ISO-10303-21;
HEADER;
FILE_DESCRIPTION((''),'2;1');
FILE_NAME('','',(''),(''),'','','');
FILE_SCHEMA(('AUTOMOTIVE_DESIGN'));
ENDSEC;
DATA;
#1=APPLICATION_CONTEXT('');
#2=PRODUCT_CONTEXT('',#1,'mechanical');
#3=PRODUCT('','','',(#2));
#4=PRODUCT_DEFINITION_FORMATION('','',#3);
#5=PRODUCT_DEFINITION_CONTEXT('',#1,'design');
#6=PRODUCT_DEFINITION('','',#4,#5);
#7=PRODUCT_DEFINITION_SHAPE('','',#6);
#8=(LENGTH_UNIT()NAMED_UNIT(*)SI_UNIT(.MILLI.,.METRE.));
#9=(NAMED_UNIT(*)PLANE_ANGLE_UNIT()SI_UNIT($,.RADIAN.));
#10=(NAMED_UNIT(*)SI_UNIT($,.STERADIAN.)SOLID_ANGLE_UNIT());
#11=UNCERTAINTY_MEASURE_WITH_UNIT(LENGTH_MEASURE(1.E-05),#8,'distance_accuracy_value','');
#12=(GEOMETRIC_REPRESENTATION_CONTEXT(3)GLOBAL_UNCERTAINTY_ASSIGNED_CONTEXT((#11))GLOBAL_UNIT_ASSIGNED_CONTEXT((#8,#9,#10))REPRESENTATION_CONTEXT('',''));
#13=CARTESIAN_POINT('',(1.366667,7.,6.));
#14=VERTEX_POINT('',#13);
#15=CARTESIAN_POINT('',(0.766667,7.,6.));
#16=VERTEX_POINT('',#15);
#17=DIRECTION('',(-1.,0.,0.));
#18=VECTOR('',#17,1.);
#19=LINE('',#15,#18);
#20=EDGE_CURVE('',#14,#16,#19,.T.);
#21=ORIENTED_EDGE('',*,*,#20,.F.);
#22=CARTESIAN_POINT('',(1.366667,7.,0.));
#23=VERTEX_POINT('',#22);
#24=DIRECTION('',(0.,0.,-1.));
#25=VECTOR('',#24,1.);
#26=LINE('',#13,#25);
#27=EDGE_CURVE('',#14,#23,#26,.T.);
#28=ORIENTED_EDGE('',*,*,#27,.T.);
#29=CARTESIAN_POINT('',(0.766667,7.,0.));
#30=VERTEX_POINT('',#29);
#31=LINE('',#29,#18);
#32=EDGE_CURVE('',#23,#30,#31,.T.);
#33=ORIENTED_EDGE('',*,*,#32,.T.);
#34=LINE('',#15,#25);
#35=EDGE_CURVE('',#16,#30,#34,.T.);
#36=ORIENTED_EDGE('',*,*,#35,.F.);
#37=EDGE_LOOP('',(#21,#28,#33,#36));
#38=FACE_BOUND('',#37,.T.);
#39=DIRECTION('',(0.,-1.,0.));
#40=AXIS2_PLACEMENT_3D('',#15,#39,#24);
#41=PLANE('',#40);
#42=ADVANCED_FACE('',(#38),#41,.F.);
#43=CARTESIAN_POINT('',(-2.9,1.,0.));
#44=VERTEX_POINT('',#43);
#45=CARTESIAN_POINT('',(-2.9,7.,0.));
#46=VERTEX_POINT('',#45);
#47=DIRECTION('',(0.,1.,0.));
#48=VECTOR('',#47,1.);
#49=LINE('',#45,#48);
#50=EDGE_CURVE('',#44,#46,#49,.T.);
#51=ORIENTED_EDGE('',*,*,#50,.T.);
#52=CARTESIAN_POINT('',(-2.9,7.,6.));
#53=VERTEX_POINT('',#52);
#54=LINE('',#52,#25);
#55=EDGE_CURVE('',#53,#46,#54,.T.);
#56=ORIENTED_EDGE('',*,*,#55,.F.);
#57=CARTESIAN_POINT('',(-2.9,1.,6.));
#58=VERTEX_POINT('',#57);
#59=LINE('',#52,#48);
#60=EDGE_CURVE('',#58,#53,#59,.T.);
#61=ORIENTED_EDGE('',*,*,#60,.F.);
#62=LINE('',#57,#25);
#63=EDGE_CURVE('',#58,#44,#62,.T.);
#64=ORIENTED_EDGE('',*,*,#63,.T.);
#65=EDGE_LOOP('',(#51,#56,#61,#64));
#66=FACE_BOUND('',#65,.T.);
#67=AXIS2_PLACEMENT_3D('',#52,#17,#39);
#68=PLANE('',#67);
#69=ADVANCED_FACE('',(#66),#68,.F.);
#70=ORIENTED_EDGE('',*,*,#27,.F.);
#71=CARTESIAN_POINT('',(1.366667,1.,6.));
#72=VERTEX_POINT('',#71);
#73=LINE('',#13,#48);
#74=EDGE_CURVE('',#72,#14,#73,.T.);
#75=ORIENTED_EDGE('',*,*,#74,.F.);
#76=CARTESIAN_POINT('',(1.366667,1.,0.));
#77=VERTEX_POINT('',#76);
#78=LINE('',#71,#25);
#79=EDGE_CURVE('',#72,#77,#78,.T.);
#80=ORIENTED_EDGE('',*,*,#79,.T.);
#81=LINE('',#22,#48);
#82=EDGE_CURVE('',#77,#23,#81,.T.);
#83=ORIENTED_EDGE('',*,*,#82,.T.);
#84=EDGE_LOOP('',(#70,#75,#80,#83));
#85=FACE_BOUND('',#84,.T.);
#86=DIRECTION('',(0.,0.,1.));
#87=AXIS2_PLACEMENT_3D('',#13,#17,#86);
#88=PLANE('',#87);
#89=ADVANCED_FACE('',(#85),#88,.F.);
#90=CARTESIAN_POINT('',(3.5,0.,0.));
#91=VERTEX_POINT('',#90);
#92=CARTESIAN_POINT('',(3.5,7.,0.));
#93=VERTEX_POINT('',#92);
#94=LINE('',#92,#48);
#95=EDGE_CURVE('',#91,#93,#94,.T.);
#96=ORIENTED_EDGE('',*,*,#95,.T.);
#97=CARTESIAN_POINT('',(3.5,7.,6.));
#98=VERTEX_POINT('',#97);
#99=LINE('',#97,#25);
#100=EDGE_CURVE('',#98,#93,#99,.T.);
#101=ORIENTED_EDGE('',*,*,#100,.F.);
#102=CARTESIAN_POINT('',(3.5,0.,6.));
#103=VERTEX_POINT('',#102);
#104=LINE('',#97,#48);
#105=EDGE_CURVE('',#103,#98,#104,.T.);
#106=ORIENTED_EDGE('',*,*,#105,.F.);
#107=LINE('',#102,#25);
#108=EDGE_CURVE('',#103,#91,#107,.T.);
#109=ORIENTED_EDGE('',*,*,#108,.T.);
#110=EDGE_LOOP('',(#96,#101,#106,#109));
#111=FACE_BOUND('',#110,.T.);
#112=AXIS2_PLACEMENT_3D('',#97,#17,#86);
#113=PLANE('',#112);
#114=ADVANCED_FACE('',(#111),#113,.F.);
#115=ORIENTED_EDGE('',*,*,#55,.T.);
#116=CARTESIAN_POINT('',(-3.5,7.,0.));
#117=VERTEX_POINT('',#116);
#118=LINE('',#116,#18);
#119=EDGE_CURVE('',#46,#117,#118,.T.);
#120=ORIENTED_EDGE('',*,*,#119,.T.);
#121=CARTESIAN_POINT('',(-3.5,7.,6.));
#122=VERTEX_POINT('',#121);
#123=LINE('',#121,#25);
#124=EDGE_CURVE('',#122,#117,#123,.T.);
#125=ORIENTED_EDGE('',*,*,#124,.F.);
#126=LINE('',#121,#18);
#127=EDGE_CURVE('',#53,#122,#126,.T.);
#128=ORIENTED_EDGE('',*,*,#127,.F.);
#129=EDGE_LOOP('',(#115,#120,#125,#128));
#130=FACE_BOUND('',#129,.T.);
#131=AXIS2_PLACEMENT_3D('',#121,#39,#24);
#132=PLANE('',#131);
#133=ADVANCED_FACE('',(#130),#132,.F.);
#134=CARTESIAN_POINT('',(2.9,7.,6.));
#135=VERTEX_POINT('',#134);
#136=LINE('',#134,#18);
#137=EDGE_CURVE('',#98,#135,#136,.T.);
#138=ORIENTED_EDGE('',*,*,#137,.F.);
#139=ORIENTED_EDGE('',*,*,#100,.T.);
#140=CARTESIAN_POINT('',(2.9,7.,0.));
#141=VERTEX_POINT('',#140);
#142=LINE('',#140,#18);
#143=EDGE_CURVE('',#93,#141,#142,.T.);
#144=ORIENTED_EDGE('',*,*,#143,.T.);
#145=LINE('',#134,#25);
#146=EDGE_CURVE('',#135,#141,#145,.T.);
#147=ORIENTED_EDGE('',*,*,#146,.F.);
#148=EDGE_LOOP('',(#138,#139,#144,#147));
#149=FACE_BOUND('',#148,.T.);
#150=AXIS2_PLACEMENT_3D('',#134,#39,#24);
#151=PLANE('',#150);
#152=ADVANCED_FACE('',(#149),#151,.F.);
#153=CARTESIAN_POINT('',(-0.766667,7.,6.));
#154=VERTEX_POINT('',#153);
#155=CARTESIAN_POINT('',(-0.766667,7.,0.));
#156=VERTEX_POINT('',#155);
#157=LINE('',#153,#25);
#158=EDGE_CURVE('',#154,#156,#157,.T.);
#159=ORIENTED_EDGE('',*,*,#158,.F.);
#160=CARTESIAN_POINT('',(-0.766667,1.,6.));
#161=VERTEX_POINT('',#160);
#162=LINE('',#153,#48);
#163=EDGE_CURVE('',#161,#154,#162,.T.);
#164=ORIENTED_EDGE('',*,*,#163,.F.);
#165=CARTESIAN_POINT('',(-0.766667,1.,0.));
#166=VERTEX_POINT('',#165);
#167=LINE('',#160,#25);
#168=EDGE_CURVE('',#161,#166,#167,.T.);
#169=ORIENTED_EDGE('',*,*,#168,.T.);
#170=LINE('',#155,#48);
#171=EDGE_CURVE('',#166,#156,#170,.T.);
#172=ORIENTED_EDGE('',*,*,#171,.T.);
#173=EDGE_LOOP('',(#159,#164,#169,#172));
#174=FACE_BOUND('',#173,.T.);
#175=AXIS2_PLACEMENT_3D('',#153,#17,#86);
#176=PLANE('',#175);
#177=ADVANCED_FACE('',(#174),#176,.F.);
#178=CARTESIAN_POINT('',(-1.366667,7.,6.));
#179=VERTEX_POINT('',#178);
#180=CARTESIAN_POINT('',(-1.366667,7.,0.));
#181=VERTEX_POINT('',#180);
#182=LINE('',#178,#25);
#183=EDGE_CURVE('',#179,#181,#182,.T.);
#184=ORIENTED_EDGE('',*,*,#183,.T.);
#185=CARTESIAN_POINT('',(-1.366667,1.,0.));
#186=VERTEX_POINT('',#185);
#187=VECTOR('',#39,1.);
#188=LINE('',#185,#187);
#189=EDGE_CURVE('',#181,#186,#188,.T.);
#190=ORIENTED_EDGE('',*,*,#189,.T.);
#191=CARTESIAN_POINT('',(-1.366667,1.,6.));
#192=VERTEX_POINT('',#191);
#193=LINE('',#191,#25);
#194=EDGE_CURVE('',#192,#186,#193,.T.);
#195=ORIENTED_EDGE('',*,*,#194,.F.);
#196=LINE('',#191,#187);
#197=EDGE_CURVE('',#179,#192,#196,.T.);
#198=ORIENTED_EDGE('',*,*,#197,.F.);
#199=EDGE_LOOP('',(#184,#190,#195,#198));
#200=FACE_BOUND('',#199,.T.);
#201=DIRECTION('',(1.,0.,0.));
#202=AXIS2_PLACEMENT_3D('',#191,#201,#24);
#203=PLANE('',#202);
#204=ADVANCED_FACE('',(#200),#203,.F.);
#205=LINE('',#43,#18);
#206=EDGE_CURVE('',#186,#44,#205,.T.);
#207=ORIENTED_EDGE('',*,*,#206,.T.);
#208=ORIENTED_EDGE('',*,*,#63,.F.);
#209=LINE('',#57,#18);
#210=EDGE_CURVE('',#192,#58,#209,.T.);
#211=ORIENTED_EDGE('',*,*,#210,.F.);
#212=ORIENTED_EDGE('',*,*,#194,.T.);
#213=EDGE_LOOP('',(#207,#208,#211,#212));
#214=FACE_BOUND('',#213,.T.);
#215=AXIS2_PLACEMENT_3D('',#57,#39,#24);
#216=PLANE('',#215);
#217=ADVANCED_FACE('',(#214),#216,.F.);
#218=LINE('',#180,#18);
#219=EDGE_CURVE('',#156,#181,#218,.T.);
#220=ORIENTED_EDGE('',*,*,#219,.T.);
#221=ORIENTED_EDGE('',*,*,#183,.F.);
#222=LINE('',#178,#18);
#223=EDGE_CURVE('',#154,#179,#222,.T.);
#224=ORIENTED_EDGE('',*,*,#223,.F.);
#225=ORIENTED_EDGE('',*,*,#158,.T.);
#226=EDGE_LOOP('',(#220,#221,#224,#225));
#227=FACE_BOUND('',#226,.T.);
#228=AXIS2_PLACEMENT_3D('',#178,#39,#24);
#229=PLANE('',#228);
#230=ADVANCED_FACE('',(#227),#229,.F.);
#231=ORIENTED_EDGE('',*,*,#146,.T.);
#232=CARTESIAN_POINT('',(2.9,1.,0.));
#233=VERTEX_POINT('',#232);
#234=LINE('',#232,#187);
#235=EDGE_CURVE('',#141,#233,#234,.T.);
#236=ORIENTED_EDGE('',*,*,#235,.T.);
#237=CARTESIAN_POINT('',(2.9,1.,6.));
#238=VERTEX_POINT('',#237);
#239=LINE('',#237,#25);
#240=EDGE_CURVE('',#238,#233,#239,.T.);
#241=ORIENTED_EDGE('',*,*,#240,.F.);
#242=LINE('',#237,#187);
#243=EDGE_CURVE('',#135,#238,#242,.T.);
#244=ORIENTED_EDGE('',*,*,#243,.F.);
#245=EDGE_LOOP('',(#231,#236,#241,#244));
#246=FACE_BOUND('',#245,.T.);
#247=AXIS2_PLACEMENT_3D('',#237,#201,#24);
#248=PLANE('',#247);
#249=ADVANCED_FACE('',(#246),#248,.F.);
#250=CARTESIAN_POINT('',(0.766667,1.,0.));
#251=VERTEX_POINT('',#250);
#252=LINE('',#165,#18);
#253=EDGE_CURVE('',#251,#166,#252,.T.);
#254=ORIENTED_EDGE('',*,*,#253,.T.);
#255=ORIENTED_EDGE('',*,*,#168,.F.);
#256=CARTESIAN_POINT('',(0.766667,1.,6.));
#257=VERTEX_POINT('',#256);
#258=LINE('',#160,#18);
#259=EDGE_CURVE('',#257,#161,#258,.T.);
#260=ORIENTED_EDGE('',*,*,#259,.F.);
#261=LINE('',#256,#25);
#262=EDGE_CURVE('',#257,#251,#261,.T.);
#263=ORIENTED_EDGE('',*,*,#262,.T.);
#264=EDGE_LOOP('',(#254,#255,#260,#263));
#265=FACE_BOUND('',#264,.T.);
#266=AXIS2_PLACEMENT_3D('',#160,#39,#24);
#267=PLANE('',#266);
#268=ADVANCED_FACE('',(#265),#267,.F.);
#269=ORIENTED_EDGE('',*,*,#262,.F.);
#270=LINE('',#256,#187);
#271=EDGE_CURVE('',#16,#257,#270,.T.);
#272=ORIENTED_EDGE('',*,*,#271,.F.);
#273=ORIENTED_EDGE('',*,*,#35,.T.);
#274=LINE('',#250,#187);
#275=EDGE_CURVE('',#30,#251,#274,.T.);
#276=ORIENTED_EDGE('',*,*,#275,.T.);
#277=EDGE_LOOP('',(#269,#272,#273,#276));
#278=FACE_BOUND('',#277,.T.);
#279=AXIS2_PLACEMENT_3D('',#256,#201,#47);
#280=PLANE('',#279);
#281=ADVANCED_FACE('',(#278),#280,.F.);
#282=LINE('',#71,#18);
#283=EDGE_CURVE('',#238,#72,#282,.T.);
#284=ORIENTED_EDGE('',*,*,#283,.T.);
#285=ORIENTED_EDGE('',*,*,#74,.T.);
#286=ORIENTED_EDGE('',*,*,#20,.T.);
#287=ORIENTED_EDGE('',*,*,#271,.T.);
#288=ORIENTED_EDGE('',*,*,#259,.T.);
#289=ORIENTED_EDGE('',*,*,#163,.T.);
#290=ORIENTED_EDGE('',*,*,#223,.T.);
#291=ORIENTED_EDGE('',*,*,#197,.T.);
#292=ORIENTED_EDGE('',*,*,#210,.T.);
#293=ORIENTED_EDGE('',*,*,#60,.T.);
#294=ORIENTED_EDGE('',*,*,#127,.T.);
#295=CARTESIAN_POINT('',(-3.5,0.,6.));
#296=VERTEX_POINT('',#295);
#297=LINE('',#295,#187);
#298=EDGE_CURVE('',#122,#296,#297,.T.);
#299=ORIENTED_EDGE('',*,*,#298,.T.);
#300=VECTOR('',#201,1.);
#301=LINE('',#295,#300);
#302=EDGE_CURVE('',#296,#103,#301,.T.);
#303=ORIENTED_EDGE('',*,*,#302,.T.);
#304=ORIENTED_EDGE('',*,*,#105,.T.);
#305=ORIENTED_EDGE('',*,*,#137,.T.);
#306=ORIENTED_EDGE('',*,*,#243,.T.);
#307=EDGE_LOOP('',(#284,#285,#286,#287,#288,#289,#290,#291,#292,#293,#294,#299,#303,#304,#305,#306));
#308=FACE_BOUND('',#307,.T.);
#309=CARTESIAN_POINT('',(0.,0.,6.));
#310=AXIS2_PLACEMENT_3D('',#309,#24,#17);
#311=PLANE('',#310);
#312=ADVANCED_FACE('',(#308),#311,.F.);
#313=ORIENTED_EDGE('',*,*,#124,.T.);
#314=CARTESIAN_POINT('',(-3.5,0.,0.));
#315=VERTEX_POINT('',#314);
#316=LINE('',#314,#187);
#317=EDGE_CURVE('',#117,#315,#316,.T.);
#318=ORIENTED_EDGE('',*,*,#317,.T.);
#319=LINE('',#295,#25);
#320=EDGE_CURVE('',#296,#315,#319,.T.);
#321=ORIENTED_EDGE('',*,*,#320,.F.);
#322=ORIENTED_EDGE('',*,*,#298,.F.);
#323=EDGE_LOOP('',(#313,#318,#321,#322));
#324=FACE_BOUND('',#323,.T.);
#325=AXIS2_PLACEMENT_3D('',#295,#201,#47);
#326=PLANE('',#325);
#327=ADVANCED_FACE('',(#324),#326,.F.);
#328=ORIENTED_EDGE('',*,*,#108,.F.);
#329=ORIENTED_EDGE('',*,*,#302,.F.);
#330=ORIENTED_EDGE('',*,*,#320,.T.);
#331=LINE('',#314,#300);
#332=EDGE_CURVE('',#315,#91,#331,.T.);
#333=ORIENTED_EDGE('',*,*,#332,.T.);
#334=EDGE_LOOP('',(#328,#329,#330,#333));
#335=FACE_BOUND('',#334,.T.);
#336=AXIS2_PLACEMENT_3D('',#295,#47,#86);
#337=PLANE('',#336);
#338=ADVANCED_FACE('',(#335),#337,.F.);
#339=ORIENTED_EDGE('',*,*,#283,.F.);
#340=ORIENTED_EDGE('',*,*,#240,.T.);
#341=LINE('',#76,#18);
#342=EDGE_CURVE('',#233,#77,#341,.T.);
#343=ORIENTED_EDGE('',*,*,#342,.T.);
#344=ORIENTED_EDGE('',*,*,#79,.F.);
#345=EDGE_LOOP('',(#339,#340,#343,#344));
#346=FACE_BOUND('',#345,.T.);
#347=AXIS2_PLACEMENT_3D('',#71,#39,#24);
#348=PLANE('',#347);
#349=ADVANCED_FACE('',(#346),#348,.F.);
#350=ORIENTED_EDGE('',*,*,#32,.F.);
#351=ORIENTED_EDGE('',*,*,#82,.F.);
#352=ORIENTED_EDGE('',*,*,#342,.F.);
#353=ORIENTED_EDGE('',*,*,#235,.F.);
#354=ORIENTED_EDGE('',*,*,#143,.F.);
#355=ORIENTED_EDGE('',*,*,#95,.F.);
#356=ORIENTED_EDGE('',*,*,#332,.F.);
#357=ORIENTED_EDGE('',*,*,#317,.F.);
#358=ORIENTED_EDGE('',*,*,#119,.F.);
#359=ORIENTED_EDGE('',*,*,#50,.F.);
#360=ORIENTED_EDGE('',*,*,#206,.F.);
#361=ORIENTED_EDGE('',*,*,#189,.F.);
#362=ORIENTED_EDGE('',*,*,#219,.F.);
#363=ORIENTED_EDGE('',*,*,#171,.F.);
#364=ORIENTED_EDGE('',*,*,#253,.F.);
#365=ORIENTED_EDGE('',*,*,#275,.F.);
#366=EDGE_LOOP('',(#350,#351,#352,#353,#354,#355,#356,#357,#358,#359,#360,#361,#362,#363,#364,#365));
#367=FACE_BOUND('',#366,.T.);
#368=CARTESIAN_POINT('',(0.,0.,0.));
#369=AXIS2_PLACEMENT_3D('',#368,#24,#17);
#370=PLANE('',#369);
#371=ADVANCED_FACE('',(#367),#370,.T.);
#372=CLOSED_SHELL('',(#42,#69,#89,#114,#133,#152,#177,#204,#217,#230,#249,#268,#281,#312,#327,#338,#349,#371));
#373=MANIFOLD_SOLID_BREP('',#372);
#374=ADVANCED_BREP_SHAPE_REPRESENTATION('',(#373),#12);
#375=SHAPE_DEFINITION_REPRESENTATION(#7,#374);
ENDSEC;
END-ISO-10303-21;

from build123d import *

# Parameters (mm, degrees)
BOSS_EXTRUDE1_DEPTH = 6


with BuildPart() as part:
    # Sketch1 → Boss-Extrude1 (new body)
    with BuildSketch(Plane.XY):
        Polygon((-3.5, 0), (3.5, 0), (3.5, 7), (2.9, 7), (2.9, 1), (1.366666667, 1), (1.366666667, 7), (0.766666667, 7), (0.766666667, 1), (-0.766666667, 1), (-0.766666667, 7), (-1.366666667, 7), (-1.366666667, 1), (-2.9, 1), (-2.9, 7), (-3.5, 7), align=None)
    extrude(amount=BOSS_EXTRUDE1_DEPTH)


solid = part.part
